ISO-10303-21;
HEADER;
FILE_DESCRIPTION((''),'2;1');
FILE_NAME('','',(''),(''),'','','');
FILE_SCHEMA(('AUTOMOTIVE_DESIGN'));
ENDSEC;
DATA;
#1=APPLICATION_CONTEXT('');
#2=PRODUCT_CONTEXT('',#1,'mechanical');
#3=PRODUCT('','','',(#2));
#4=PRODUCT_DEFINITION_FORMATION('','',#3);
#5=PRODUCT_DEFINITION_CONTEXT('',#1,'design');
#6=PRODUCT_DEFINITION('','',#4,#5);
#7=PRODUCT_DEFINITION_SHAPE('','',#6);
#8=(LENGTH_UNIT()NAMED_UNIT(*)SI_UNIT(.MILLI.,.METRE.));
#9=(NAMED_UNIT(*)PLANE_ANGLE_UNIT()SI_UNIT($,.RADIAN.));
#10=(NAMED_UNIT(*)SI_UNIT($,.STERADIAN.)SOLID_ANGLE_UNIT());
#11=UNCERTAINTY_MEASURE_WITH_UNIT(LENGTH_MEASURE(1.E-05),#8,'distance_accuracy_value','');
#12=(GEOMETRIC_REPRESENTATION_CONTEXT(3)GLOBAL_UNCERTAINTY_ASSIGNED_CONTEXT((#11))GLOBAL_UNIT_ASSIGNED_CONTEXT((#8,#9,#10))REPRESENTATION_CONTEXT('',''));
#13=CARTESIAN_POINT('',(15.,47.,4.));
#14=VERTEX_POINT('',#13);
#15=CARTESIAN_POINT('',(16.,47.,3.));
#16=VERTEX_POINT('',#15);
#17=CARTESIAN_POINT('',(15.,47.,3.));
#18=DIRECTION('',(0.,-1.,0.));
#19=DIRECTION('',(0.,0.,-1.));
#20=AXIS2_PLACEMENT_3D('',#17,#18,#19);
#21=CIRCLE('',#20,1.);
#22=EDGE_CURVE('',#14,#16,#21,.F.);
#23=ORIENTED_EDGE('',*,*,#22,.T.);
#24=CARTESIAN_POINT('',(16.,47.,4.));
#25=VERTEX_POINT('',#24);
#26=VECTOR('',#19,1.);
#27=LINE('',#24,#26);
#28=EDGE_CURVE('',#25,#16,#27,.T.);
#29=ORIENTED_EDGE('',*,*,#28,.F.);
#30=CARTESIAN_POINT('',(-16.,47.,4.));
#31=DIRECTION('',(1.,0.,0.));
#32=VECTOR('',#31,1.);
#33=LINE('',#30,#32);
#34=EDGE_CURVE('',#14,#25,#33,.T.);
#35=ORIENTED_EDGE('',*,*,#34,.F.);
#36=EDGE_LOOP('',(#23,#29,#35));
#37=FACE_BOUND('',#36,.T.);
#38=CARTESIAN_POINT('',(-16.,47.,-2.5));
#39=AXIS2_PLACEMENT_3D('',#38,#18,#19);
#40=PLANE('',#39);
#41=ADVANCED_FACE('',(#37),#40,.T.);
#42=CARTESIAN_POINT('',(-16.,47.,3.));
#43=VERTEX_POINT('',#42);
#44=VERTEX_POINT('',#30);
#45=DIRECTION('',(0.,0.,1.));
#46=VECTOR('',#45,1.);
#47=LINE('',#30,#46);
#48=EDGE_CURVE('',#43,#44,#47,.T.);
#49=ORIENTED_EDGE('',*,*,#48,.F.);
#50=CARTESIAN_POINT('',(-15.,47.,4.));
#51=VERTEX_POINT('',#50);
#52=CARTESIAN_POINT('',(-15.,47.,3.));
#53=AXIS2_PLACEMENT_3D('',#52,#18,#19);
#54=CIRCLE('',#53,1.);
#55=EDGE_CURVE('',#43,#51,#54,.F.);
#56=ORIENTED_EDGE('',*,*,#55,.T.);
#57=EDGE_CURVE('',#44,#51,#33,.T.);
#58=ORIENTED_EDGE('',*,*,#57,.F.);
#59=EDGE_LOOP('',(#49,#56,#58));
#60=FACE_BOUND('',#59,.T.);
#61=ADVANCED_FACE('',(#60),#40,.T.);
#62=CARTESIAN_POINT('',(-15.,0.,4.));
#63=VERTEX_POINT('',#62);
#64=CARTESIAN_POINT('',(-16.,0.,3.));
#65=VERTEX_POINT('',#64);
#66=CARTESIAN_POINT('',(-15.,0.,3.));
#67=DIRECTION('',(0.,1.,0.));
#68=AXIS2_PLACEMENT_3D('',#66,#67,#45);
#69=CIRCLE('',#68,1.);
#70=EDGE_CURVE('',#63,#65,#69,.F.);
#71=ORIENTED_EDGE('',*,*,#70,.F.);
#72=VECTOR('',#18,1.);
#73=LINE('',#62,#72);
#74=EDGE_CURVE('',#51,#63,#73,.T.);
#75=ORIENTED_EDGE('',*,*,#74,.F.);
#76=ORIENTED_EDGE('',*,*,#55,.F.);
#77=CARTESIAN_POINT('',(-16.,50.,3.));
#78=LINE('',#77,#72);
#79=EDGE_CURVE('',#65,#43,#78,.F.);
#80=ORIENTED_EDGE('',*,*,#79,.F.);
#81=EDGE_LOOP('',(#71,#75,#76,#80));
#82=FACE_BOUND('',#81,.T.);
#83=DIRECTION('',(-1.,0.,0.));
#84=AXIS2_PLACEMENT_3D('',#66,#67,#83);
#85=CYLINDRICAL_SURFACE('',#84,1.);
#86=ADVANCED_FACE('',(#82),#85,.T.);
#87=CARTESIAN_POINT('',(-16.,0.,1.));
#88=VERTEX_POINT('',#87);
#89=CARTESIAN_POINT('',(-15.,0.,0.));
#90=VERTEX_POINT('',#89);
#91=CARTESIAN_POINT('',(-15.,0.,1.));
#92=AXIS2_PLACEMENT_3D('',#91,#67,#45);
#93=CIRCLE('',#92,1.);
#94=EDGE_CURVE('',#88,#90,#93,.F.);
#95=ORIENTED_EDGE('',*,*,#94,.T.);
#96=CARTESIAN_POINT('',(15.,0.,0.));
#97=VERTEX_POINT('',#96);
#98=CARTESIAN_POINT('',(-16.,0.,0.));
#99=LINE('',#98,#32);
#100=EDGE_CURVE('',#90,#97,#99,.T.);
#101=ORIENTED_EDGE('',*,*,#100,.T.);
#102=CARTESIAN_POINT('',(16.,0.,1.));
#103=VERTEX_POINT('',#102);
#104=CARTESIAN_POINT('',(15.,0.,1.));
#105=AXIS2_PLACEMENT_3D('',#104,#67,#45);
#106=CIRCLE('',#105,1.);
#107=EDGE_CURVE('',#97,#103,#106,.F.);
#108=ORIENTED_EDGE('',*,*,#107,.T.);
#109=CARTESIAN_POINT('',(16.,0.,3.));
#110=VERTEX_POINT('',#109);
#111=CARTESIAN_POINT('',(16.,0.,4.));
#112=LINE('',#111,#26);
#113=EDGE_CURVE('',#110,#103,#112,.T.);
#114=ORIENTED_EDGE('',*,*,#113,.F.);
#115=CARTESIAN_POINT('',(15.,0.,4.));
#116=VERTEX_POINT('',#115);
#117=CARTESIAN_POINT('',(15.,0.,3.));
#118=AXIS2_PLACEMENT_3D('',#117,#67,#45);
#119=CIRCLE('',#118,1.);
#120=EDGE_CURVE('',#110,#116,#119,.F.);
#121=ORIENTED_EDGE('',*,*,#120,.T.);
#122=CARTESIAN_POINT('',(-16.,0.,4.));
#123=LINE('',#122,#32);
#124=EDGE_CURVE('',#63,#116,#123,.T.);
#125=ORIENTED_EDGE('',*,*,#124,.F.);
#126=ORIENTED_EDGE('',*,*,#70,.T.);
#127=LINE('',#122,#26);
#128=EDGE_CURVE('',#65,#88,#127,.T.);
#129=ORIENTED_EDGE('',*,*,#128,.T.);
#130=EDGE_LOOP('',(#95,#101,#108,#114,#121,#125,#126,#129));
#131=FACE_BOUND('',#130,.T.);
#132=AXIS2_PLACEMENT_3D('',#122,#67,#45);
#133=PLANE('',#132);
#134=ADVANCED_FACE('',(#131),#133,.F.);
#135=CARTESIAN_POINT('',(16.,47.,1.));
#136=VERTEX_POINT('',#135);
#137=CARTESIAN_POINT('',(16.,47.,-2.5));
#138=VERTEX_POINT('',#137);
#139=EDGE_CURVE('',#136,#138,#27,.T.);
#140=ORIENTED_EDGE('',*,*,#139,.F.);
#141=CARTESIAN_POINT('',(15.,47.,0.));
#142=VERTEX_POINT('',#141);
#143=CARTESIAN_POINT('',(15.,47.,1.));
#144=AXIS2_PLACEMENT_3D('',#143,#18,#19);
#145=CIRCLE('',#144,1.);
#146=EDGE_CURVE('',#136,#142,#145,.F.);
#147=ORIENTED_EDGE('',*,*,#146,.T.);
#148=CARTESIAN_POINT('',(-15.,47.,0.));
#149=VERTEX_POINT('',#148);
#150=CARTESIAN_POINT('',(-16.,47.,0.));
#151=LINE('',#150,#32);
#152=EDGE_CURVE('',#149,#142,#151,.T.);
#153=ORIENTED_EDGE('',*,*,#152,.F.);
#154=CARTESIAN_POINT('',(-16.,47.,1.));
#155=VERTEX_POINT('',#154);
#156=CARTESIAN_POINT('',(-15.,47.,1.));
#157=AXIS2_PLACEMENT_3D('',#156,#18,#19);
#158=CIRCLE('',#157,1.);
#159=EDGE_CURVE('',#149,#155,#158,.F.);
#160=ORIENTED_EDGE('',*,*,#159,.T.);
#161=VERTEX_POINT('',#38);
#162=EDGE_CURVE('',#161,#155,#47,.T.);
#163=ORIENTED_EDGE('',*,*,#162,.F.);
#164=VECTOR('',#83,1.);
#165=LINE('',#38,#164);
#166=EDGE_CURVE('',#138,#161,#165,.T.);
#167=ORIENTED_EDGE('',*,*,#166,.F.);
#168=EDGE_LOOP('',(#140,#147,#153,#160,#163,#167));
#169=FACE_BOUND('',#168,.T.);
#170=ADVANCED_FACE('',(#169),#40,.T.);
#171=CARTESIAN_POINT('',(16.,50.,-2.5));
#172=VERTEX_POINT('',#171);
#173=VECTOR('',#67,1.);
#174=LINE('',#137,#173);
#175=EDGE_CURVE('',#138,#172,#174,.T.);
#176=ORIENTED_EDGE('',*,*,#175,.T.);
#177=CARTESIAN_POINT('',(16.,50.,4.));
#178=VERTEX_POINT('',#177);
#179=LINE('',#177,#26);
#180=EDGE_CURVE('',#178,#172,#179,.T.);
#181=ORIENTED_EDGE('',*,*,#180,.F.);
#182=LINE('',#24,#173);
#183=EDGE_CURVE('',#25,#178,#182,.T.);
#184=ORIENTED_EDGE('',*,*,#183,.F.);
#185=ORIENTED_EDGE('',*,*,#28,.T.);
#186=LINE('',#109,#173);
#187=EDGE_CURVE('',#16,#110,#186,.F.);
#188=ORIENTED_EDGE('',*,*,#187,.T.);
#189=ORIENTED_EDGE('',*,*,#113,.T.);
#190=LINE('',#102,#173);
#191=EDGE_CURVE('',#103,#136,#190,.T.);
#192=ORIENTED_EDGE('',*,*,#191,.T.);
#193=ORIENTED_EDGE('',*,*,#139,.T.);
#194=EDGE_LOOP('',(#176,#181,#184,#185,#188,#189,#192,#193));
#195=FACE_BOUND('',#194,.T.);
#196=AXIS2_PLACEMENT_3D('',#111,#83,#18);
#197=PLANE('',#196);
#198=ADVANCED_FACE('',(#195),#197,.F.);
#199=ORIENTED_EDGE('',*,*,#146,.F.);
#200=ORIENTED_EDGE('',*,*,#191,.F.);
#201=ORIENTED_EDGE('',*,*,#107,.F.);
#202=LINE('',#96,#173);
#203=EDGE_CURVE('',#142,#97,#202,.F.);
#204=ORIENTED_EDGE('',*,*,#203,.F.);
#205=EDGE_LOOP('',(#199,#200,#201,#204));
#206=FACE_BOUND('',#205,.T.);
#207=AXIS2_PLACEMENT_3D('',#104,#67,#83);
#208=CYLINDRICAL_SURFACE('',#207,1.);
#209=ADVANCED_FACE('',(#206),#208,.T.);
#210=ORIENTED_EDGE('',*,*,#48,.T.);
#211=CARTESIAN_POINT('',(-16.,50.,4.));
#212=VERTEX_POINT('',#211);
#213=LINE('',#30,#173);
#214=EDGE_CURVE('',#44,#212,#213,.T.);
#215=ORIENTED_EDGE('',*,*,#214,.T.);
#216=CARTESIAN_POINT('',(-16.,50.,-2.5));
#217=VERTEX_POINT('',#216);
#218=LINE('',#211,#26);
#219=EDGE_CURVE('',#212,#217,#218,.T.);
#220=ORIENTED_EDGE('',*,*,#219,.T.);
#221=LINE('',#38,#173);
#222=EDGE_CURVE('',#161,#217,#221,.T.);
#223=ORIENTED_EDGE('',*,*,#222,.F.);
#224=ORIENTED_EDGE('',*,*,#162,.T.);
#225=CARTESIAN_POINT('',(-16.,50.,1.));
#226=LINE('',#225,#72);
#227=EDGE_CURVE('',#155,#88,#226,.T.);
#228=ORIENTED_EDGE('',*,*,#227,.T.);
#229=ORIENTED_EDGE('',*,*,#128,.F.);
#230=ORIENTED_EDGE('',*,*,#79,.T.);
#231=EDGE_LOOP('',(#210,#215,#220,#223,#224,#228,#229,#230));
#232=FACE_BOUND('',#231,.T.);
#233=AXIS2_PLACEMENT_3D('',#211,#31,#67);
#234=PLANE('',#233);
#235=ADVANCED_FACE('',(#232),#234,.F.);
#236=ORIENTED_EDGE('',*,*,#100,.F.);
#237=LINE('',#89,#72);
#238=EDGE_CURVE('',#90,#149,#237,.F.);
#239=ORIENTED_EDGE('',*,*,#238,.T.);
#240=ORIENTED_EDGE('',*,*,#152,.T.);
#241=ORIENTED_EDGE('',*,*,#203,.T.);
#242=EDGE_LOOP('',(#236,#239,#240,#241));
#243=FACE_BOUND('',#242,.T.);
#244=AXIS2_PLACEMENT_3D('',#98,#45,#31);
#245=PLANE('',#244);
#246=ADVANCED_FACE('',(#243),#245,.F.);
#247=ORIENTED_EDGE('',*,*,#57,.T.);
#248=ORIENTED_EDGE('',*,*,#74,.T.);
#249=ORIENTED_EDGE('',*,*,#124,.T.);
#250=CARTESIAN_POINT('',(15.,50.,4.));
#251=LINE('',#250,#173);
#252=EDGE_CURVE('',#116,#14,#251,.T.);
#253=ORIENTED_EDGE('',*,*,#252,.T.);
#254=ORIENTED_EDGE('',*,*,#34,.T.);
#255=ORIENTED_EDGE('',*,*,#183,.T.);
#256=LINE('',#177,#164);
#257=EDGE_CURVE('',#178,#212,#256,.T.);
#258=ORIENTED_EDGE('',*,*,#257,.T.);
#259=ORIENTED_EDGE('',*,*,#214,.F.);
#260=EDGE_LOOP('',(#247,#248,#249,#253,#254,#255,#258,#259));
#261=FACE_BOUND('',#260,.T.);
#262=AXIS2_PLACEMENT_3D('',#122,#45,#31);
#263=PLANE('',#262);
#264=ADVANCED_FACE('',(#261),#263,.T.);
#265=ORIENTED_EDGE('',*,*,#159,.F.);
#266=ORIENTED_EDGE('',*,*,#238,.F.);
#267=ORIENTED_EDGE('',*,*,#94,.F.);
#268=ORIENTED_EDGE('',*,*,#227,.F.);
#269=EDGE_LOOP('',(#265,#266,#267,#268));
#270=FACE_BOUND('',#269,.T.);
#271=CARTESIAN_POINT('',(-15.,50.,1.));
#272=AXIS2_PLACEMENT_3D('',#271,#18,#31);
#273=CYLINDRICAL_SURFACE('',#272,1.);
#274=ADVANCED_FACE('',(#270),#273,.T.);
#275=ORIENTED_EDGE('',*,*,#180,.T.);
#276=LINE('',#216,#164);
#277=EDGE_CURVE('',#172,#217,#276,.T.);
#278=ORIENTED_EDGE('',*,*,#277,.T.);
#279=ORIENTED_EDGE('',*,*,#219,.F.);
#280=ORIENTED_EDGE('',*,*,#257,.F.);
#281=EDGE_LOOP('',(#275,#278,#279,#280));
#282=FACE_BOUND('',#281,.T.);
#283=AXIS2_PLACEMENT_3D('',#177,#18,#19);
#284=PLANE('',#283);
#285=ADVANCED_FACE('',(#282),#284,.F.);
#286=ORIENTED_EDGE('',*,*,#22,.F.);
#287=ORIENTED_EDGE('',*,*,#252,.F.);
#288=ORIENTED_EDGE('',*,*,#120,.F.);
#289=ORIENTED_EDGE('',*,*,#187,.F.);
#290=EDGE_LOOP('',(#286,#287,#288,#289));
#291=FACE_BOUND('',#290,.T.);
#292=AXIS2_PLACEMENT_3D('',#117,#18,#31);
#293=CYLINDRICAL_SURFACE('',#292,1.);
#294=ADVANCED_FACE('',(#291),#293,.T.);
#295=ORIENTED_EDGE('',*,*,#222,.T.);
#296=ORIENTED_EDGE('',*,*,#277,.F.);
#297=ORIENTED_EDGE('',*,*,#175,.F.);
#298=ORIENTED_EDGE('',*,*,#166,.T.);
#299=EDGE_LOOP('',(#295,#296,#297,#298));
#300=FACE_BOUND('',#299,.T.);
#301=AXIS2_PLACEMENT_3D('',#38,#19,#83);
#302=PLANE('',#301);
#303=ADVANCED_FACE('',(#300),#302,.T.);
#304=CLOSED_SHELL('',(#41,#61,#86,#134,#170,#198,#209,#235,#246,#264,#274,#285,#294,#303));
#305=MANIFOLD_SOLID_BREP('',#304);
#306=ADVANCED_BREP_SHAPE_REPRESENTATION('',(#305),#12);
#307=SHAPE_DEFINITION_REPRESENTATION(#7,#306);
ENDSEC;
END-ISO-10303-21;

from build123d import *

# Parameters (mm, degrees)
SKETCH1_W      = 32
SKETCH1_H      = 50
EXTRUDE1_DEPTH = 4
FILLET1_R      = 1
SKETCH3_W      = 32
SKETCH3_H      = 6.5
EXTRUDE3_DEPTH = 3


with BuildPart() as part:
    # Sketch1 → Extrude1 (new body)
    with BuildSketch(Plane.XY):
        with Locations((0, 25)):
            Rectangle(SKETCH1_W, SKETCH1_H)
    extrude(amount=EXTRUDE1_DEPTH)

    # Fillet1
    fillet1_edges = [part.edges().sort_by_distance(p)[0] for p in [
        (16, 25, 4),
        (-16, 25, 4),
        (16, 25, 0),
        (-16, 25, 0),
    ]]
    fillet(fillet1_edges, radius=FILLET1_R)

    # Sketch3 → Extrude3 (add)
    with BuildSketch(Plane(origin=(0, 50, 0), x_dir=(1, 0, 0), z_dir=(0, 1, 0))):
        with Locations((0, -0.75)):
            Rectangle(SKETCH3_W, SKETCH3_H)
    extrude(amount=-EXTRUDE3_DEPTH)


solid = part.part
